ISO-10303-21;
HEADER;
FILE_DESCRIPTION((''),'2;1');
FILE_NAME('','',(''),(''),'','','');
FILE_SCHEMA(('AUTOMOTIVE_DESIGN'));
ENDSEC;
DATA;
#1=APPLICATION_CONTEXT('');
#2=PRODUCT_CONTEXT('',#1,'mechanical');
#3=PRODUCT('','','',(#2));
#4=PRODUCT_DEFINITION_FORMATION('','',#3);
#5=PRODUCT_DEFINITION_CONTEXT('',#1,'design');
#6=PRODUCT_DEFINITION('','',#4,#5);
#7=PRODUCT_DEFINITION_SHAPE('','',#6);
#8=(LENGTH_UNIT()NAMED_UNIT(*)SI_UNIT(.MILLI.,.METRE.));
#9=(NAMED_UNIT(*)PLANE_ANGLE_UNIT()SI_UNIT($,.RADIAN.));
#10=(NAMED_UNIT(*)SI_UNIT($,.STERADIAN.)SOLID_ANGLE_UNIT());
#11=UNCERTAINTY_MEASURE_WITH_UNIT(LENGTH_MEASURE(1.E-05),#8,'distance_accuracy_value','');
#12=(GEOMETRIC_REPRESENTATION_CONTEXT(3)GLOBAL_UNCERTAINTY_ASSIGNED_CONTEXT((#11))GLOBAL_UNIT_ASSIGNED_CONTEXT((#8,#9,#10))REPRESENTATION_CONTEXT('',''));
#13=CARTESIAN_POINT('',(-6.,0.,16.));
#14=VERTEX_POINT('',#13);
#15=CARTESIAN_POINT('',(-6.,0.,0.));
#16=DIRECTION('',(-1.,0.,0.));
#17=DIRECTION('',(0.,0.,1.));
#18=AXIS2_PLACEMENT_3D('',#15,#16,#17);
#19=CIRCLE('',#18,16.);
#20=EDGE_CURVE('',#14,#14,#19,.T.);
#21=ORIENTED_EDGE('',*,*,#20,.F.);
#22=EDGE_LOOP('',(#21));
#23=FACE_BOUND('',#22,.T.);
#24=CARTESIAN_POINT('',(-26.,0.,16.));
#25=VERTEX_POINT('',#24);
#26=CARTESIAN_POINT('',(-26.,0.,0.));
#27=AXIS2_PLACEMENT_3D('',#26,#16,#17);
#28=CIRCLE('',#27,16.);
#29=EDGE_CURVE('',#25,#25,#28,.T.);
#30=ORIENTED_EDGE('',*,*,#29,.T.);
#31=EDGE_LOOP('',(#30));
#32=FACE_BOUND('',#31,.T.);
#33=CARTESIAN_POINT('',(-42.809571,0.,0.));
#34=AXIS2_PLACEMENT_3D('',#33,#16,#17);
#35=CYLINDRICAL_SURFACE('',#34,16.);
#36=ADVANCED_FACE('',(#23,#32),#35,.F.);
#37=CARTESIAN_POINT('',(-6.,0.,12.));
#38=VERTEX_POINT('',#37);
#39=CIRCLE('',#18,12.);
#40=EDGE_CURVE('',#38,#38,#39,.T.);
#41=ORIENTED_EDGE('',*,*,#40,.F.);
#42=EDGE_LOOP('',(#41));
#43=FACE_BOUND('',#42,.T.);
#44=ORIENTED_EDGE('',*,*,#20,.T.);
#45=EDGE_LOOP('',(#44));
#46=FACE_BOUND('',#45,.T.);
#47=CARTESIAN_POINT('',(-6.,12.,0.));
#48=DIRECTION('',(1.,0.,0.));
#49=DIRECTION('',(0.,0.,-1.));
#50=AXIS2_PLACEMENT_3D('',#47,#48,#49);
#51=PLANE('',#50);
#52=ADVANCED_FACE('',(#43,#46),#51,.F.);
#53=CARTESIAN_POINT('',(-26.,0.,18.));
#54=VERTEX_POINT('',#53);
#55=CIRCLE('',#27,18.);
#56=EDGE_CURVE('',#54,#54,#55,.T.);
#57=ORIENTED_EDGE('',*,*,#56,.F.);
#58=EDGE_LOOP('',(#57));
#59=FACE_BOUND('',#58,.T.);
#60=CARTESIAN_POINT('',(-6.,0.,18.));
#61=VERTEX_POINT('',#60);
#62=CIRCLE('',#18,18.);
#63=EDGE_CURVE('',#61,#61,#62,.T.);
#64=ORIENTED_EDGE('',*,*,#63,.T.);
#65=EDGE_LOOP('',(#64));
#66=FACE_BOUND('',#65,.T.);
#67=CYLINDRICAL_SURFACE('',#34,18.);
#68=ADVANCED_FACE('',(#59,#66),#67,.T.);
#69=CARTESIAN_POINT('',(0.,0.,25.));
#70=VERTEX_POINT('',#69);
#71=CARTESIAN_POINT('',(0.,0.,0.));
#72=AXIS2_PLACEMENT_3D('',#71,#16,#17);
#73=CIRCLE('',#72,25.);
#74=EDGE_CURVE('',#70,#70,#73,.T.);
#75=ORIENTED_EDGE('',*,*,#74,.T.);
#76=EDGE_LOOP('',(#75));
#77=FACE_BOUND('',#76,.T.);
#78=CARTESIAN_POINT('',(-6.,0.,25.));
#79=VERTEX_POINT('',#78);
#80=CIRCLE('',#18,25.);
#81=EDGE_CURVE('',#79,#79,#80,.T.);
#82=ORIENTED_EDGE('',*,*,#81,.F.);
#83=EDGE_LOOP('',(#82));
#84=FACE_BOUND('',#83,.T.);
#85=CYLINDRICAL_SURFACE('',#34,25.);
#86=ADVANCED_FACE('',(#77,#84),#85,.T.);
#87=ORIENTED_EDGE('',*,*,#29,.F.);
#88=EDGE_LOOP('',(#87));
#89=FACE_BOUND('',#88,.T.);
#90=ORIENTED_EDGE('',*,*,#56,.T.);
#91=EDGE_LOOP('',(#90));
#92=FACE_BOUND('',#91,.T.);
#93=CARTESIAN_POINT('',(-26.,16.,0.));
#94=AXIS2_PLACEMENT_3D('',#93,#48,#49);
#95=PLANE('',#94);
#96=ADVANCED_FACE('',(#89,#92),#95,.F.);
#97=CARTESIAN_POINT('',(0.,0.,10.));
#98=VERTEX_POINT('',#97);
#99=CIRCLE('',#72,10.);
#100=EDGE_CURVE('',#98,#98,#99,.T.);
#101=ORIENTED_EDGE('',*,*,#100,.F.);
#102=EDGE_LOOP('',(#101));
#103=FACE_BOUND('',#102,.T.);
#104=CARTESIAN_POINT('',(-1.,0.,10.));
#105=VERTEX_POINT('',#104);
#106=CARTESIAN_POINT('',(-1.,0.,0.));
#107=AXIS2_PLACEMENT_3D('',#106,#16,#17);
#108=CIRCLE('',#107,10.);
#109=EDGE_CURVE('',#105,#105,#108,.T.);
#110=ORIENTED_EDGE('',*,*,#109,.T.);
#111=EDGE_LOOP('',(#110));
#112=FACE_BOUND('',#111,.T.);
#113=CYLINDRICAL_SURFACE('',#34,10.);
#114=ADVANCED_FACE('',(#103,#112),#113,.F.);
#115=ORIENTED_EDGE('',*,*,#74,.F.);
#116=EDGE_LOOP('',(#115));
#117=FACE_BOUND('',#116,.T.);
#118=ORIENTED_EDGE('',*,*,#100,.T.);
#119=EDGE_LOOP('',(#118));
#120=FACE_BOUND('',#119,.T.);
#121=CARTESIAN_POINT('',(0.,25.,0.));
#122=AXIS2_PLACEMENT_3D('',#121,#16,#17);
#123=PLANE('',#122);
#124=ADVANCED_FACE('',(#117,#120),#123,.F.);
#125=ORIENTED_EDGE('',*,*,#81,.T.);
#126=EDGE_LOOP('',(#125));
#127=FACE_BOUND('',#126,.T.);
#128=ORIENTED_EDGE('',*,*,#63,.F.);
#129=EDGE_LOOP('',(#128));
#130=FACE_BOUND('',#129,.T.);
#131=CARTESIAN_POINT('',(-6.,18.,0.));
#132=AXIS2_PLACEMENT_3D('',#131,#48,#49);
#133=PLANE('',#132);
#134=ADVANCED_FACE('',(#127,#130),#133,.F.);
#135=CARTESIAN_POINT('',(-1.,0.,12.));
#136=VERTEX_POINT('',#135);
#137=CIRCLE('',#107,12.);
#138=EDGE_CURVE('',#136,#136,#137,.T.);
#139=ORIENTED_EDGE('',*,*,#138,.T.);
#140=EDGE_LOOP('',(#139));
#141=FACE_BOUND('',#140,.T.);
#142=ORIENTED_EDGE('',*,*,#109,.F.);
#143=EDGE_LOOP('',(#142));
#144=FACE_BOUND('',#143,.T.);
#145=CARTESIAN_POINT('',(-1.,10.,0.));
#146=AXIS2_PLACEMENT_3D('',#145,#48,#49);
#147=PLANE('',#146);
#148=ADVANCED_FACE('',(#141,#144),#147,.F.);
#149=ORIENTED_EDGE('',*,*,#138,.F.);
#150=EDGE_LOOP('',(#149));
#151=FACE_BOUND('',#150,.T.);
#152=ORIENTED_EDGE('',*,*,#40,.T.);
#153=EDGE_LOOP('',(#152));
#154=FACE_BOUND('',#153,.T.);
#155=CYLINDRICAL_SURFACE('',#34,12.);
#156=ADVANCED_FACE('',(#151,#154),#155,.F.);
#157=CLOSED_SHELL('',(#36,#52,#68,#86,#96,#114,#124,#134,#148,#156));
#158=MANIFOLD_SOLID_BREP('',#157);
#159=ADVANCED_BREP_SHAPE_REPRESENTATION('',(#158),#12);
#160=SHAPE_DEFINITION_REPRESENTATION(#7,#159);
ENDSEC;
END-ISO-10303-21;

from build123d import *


with BuildPart() as part:
    # Sketch1 → Revolve1 (revolve)
    with BuildSketch(Plane.XY, mode=Mode.PRIVATE) as revolve1_sk:
        Polygon((-1, 12), (-6, 12), (-6, 16), (-26, 16), (-26, 18), (-6, 18), (-6, 25), (0, 25), (0, 10), (-1, 10), align=None)
    revolve(revolve1_sk.sketch.rotate(Axis((-42.809570876, 0, 0), (1, 0, 0)), 90), axis=Axis((-42.809570876, 0, 0), (1, 0, 0)))


solid = part.part
